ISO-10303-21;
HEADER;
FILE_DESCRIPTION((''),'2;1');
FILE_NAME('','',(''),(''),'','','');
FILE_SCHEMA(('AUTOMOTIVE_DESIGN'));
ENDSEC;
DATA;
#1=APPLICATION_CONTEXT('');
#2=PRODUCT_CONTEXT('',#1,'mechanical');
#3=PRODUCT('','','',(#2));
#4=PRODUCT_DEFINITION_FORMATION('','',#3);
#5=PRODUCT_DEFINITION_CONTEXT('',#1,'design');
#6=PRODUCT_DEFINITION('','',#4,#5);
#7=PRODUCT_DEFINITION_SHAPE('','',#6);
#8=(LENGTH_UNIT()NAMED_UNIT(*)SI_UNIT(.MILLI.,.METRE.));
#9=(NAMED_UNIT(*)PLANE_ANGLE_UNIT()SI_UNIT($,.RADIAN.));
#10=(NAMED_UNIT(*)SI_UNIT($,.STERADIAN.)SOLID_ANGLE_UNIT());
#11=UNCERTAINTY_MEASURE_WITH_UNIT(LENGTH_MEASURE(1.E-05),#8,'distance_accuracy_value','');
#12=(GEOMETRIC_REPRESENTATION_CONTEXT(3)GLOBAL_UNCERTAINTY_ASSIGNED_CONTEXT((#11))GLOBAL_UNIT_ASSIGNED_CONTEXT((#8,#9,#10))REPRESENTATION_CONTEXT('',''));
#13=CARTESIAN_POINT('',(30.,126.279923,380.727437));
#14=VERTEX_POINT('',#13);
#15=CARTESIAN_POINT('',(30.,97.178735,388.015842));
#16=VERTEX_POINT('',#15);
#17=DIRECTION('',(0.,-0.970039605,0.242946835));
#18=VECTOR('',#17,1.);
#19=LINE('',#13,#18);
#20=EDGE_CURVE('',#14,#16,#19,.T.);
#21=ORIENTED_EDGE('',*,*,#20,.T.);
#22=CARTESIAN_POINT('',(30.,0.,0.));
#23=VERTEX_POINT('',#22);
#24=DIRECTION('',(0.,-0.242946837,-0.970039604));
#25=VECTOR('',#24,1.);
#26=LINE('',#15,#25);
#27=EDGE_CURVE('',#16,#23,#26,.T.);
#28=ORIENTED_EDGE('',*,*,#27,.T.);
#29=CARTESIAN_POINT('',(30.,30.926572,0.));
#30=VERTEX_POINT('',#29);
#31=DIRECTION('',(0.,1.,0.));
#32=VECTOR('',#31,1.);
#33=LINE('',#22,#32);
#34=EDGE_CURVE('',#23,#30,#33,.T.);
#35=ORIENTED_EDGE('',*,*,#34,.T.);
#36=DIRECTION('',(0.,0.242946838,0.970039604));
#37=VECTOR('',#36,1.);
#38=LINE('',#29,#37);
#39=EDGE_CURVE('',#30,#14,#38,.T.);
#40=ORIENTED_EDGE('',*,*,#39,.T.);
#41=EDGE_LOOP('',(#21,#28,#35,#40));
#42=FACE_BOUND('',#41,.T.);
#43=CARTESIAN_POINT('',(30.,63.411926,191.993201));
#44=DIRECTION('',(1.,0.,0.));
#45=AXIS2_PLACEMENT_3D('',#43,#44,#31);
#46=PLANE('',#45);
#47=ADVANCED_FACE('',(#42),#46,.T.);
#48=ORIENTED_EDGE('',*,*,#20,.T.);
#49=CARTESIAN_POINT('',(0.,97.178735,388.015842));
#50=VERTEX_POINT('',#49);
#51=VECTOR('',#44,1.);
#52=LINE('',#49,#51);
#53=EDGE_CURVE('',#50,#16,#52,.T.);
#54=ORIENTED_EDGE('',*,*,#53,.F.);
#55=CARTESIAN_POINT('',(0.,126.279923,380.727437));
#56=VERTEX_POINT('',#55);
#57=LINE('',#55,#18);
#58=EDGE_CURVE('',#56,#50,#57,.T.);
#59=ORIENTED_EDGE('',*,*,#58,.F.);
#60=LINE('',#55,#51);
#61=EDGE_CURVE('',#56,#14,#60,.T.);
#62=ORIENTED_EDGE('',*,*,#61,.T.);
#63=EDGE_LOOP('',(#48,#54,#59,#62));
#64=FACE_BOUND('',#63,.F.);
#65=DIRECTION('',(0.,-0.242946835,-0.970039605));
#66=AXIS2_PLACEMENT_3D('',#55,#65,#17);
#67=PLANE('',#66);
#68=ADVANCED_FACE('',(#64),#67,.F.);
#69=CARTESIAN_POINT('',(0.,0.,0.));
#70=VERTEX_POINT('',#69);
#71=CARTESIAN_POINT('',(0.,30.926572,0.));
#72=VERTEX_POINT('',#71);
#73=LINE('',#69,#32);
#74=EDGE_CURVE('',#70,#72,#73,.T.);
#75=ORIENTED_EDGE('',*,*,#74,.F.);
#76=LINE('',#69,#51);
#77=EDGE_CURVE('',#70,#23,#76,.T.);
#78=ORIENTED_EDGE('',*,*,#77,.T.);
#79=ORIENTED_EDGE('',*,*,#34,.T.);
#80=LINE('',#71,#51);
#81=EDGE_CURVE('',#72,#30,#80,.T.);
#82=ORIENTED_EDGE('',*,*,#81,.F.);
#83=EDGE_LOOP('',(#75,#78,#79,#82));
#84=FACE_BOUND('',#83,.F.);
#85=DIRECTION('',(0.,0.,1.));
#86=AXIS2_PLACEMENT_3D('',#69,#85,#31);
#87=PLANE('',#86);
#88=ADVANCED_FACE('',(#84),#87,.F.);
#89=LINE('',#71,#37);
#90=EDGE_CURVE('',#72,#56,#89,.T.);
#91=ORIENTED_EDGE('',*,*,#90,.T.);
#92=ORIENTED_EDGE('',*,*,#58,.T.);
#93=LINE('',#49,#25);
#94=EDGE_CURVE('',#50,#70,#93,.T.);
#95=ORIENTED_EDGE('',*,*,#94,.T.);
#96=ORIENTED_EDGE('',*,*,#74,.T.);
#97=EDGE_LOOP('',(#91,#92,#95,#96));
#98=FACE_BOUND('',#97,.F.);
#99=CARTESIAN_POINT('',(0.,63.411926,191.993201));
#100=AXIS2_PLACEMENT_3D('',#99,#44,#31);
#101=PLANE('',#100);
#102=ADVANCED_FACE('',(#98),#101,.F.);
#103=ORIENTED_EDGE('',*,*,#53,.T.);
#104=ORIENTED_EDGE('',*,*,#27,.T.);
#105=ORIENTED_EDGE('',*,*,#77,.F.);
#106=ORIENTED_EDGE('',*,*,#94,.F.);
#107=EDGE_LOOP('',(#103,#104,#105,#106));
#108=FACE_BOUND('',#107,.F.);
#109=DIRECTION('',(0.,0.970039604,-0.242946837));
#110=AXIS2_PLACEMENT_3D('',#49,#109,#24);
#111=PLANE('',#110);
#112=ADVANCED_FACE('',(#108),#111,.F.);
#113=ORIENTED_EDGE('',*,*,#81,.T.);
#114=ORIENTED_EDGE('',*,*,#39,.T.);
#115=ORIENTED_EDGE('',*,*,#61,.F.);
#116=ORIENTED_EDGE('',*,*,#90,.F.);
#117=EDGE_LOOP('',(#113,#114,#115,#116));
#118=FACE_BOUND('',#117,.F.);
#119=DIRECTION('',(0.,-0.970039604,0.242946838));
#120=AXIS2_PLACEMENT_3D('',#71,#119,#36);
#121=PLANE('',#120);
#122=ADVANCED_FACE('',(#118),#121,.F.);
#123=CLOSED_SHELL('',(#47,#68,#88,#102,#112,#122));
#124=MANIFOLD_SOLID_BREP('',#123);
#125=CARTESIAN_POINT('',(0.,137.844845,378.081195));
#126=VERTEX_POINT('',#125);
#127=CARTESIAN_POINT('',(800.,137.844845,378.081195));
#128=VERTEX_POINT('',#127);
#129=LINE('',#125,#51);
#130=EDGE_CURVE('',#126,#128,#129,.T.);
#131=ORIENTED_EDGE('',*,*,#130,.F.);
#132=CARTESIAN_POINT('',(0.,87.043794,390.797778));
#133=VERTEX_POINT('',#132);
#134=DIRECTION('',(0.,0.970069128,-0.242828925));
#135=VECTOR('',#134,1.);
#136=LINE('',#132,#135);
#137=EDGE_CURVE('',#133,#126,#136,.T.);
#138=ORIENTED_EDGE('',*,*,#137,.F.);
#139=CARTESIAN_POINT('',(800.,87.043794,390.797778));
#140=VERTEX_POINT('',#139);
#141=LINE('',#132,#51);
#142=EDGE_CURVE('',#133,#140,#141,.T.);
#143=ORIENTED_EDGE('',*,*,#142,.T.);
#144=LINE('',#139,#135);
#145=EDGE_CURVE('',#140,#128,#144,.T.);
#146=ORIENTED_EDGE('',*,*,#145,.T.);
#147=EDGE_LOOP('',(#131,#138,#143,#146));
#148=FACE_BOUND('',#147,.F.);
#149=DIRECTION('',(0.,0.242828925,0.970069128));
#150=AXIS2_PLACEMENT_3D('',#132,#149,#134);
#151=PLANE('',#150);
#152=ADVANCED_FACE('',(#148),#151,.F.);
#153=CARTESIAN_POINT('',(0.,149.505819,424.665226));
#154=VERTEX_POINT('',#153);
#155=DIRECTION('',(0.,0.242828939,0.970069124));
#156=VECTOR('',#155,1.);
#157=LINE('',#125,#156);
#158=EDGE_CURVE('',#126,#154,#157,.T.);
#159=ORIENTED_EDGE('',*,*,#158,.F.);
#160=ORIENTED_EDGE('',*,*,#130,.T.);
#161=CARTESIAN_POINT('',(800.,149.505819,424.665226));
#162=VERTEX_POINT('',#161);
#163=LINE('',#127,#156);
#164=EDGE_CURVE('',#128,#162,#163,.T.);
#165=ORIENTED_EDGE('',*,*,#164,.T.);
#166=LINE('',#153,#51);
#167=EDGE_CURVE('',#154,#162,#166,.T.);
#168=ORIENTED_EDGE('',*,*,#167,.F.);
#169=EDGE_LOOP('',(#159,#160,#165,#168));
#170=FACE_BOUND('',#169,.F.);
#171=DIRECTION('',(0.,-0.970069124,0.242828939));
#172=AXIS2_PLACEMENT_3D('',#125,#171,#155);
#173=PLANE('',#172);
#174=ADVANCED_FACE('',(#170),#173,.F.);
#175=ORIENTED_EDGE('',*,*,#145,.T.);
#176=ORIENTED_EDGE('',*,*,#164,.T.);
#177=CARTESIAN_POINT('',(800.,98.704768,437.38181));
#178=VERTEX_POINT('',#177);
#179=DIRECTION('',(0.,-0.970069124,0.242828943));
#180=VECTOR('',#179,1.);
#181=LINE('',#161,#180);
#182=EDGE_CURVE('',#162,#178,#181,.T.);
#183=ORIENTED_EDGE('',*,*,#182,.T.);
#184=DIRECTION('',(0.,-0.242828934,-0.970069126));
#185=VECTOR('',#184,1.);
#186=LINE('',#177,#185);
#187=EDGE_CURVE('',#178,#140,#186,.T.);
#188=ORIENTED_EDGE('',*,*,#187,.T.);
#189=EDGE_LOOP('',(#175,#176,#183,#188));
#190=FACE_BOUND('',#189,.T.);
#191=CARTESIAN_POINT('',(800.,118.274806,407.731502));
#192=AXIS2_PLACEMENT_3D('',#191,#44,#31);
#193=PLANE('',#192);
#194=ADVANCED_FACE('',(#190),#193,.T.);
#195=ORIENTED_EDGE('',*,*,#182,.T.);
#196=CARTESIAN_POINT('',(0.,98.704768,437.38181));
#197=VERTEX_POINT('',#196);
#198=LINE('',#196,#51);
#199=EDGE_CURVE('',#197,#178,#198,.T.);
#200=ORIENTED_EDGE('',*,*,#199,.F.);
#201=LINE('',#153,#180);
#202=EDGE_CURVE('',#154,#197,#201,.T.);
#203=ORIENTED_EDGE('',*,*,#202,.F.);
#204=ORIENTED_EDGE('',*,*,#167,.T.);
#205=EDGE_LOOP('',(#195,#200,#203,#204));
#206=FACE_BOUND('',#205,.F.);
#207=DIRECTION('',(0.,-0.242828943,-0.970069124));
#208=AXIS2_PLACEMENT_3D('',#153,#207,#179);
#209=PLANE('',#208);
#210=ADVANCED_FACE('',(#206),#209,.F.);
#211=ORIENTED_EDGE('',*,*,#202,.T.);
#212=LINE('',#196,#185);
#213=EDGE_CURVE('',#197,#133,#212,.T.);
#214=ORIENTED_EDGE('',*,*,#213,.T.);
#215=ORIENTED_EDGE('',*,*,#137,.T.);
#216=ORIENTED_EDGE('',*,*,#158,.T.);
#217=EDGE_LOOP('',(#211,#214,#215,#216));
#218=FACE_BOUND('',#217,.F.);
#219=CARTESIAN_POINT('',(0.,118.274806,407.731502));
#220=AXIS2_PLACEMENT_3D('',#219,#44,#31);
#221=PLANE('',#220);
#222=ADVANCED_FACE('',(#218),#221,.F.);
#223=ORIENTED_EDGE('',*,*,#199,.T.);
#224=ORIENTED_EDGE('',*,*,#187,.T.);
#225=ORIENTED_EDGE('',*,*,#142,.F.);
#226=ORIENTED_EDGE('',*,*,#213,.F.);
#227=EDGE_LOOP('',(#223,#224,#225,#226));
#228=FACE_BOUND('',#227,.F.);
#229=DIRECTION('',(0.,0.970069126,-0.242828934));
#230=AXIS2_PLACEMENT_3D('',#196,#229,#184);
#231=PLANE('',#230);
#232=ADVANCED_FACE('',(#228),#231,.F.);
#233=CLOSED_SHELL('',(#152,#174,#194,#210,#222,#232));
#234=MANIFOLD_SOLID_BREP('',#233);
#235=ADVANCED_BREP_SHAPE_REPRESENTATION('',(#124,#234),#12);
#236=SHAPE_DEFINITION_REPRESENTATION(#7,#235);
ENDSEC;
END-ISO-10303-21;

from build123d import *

# Parameters (mm, degrees)
F1_DEPTH = 30
F3_DEPTH = 800


with BuildPart() as f1:
    # F0 (on Right) → F1 (new body)
    with BuildSketch(Plane.YZ):
        Polygon((97.178735, 388.015842), (0, 0), (30.926572, 0), (126.279923, 380.727437), align=None)
    extrude(amount=F1_DEPTH)


with BuildPart() as f3:
    # F2 (on Right) → F3 (new body)
    with BuildSketch(Plane.YZ):
        Polygon((98.704768, 437.38181), (87.043794, 390.797778), (137.844845, 378.081195), (149.505819, 424.665226), align=None)
    extrude(amount=F3_DEPTH)


solid = Compound([f1.part, f3.part])
